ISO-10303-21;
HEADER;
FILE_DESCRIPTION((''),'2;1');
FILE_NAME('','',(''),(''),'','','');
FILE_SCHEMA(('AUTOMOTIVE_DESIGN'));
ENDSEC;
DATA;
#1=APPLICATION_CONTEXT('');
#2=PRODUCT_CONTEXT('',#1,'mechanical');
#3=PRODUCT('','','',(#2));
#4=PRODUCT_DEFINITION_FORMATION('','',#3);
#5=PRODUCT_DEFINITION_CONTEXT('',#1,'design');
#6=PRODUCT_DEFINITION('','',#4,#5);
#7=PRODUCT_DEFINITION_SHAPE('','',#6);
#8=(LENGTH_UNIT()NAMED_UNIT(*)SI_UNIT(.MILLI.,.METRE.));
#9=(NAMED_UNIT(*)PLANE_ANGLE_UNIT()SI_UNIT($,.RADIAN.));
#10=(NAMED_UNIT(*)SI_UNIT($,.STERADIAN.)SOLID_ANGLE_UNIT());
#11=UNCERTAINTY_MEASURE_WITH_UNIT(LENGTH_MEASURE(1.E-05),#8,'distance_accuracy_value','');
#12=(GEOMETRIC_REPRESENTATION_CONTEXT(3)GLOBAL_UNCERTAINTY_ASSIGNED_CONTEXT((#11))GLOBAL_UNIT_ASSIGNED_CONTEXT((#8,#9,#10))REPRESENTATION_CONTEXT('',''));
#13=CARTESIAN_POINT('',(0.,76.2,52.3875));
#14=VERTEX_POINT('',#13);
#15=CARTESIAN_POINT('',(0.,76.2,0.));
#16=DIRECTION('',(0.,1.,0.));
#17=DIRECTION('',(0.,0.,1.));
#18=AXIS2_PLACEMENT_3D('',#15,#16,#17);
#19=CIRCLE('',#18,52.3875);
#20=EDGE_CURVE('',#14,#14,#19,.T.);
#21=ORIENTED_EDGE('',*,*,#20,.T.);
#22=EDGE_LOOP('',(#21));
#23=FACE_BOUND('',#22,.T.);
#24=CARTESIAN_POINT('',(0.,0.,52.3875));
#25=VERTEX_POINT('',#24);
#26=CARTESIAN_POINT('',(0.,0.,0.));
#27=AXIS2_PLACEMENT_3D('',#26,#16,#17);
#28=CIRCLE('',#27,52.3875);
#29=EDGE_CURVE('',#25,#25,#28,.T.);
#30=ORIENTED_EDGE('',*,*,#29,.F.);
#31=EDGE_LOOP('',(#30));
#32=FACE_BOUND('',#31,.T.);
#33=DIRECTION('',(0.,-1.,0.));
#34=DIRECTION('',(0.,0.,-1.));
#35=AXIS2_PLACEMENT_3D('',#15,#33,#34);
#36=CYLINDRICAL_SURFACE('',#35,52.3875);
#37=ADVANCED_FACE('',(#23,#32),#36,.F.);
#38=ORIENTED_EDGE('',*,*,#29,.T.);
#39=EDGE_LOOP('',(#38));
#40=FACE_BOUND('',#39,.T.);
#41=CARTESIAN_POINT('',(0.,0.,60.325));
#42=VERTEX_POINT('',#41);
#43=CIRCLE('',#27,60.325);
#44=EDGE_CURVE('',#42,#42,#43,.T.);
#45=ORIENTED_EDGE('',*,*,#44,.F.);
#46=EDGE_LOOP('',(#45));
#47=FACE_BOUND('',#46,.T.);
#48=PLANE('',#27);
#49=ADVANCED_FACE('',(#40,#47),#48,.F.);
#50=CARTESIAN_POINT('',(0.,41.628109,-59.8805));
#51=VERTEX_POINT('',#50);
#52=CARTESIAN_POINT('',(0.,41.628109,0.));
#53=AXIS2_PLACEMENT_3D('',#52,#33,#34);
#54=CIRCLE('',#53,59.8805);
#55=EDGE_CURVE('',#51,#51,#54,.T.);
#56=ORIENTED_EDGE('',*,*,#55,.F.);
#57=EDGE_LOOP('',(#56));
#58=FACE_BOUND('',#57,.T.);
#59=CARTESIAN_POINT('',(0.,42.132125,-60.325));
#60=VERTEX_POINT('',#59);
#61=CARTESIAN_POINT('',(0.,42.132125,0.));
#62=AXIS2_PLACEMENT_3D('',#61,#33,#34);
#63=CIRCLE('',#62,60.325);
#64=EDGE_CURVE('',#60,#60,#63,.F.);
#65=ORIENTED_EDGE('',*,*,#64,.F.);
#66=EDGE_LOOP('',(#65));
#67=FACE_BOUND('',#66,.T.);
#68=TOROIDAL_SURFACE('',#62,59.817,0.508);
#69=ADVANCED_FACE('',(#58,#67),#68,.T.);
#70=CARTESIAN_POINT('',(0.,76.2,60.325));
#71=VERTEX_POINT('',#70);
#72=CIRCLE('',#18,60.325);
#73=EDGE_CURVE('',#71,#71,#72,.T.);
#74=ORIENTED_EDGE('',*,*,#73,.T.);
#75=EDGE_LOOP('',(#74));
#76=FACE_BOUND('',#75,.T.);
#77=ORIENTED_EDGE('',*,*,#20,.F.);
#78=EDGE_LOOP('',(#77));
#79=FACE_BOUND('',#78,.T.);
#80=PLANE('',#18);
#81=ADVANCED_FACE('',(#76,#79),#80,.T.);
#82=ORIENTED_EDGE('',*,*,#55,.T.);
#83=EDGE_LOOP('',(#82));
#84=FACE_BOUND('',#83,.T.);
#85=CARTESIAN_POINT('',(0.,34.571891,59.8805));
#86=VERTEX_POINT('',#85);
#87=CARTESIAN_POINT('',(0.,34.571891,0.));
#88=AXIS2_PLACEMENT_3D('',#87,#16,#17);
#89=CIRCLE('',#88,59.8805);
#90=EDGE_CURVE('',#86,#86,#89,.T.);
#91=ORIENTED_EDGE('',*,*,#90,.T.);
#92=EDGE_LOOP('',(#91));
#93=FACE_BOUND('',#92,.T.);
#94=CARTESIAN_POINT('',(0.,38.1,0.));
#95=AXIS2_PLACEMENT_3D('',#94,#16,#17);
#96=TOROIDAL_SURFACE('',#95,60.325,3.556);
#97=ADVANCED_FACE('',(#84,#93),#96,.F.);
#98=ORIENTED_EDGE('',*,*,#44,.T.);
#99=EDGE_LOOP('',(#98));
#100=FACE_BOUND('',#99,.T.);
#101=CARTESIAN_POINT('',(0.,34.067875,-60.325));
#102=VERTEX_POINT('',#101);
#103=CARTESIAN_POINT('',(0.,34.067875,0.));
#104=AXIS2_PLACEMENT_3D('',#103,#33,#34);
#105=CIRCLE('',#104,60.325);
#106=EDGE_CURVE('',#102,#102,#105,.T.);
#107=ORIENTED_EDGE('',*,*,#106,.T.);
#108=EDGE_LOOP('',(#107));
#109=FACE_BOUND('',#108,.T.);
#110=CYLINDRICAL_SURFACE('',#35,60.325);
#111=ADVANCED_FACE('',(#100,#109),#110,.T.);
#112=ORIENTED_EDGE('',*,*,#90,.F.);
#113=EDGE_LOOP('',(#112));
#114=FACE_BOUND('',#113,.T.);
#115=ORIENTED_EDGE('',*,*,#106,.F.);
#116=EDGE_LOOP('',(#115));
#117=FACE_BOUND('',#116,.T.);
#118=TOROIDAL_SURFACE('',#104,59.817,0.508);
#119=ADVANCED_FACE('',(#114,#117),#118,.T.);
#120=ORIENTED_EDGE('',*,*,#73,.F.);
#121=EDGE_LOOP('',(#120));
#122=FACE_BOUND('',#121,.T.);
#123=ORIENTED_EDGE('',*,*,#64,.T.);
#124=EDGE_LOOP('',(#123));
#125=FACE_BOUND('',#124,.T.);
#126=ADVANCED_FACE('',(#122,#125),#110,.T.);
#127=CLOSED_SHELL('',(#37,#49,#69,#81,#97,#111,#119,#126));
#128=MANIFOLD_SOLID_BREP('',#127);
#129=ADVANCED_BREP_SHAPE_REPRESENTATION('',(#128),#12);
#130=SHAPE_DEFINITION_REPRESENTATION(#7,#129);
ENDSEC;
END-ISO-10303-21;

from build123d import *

# Parameters (mm, degrees)
SKETCH1_R           = 60.325
SKETCH1_R_2         = 52.3875
BOSS_EXTRUDE1_DEPTH = 76.2
FILLET1_R           = 0.508


with BuildPart() as part:
    # Sketch1 → Boss-Extrude1 (new body)
    with BuildSketch(Plane(origin=(0, 0, 0), x_dir=(1, 0, 0), z_dir=(0, 1, 0))):
        Circle(SKETCH1_R)
        Circle(SKETCH1_R_2, mode=Mode.SUBTRACT)
    extrude(amount=BOSS_EXTRUDE1_DEPTH)

    # Sketch2 → Cut-Revolve1 (revolve, cut)
    with BuildSketch(Plane.XY):
        with BuildLine():
            ThreePointArc((60.325, 41.656), (56.769, 38.1), (60.325, 34.544))
            Line((60.325, 34.544), (60.325, 41.656))
        make_face()
    revolve(axis=Axis((0, 76.2, 0), (0, -1, 0)), mode=Mode.SUBTRACT)

    # Fillet1
    fillet1_edges = [part.edges().sort_by_distance(p)[0] for p in [
        (-60.325, 34.544, 0),
        (-60.325, 41.656, 0),
    ]]
    fillet(fillet1_edges, radius=FILLET1_R)


solid = part.part
